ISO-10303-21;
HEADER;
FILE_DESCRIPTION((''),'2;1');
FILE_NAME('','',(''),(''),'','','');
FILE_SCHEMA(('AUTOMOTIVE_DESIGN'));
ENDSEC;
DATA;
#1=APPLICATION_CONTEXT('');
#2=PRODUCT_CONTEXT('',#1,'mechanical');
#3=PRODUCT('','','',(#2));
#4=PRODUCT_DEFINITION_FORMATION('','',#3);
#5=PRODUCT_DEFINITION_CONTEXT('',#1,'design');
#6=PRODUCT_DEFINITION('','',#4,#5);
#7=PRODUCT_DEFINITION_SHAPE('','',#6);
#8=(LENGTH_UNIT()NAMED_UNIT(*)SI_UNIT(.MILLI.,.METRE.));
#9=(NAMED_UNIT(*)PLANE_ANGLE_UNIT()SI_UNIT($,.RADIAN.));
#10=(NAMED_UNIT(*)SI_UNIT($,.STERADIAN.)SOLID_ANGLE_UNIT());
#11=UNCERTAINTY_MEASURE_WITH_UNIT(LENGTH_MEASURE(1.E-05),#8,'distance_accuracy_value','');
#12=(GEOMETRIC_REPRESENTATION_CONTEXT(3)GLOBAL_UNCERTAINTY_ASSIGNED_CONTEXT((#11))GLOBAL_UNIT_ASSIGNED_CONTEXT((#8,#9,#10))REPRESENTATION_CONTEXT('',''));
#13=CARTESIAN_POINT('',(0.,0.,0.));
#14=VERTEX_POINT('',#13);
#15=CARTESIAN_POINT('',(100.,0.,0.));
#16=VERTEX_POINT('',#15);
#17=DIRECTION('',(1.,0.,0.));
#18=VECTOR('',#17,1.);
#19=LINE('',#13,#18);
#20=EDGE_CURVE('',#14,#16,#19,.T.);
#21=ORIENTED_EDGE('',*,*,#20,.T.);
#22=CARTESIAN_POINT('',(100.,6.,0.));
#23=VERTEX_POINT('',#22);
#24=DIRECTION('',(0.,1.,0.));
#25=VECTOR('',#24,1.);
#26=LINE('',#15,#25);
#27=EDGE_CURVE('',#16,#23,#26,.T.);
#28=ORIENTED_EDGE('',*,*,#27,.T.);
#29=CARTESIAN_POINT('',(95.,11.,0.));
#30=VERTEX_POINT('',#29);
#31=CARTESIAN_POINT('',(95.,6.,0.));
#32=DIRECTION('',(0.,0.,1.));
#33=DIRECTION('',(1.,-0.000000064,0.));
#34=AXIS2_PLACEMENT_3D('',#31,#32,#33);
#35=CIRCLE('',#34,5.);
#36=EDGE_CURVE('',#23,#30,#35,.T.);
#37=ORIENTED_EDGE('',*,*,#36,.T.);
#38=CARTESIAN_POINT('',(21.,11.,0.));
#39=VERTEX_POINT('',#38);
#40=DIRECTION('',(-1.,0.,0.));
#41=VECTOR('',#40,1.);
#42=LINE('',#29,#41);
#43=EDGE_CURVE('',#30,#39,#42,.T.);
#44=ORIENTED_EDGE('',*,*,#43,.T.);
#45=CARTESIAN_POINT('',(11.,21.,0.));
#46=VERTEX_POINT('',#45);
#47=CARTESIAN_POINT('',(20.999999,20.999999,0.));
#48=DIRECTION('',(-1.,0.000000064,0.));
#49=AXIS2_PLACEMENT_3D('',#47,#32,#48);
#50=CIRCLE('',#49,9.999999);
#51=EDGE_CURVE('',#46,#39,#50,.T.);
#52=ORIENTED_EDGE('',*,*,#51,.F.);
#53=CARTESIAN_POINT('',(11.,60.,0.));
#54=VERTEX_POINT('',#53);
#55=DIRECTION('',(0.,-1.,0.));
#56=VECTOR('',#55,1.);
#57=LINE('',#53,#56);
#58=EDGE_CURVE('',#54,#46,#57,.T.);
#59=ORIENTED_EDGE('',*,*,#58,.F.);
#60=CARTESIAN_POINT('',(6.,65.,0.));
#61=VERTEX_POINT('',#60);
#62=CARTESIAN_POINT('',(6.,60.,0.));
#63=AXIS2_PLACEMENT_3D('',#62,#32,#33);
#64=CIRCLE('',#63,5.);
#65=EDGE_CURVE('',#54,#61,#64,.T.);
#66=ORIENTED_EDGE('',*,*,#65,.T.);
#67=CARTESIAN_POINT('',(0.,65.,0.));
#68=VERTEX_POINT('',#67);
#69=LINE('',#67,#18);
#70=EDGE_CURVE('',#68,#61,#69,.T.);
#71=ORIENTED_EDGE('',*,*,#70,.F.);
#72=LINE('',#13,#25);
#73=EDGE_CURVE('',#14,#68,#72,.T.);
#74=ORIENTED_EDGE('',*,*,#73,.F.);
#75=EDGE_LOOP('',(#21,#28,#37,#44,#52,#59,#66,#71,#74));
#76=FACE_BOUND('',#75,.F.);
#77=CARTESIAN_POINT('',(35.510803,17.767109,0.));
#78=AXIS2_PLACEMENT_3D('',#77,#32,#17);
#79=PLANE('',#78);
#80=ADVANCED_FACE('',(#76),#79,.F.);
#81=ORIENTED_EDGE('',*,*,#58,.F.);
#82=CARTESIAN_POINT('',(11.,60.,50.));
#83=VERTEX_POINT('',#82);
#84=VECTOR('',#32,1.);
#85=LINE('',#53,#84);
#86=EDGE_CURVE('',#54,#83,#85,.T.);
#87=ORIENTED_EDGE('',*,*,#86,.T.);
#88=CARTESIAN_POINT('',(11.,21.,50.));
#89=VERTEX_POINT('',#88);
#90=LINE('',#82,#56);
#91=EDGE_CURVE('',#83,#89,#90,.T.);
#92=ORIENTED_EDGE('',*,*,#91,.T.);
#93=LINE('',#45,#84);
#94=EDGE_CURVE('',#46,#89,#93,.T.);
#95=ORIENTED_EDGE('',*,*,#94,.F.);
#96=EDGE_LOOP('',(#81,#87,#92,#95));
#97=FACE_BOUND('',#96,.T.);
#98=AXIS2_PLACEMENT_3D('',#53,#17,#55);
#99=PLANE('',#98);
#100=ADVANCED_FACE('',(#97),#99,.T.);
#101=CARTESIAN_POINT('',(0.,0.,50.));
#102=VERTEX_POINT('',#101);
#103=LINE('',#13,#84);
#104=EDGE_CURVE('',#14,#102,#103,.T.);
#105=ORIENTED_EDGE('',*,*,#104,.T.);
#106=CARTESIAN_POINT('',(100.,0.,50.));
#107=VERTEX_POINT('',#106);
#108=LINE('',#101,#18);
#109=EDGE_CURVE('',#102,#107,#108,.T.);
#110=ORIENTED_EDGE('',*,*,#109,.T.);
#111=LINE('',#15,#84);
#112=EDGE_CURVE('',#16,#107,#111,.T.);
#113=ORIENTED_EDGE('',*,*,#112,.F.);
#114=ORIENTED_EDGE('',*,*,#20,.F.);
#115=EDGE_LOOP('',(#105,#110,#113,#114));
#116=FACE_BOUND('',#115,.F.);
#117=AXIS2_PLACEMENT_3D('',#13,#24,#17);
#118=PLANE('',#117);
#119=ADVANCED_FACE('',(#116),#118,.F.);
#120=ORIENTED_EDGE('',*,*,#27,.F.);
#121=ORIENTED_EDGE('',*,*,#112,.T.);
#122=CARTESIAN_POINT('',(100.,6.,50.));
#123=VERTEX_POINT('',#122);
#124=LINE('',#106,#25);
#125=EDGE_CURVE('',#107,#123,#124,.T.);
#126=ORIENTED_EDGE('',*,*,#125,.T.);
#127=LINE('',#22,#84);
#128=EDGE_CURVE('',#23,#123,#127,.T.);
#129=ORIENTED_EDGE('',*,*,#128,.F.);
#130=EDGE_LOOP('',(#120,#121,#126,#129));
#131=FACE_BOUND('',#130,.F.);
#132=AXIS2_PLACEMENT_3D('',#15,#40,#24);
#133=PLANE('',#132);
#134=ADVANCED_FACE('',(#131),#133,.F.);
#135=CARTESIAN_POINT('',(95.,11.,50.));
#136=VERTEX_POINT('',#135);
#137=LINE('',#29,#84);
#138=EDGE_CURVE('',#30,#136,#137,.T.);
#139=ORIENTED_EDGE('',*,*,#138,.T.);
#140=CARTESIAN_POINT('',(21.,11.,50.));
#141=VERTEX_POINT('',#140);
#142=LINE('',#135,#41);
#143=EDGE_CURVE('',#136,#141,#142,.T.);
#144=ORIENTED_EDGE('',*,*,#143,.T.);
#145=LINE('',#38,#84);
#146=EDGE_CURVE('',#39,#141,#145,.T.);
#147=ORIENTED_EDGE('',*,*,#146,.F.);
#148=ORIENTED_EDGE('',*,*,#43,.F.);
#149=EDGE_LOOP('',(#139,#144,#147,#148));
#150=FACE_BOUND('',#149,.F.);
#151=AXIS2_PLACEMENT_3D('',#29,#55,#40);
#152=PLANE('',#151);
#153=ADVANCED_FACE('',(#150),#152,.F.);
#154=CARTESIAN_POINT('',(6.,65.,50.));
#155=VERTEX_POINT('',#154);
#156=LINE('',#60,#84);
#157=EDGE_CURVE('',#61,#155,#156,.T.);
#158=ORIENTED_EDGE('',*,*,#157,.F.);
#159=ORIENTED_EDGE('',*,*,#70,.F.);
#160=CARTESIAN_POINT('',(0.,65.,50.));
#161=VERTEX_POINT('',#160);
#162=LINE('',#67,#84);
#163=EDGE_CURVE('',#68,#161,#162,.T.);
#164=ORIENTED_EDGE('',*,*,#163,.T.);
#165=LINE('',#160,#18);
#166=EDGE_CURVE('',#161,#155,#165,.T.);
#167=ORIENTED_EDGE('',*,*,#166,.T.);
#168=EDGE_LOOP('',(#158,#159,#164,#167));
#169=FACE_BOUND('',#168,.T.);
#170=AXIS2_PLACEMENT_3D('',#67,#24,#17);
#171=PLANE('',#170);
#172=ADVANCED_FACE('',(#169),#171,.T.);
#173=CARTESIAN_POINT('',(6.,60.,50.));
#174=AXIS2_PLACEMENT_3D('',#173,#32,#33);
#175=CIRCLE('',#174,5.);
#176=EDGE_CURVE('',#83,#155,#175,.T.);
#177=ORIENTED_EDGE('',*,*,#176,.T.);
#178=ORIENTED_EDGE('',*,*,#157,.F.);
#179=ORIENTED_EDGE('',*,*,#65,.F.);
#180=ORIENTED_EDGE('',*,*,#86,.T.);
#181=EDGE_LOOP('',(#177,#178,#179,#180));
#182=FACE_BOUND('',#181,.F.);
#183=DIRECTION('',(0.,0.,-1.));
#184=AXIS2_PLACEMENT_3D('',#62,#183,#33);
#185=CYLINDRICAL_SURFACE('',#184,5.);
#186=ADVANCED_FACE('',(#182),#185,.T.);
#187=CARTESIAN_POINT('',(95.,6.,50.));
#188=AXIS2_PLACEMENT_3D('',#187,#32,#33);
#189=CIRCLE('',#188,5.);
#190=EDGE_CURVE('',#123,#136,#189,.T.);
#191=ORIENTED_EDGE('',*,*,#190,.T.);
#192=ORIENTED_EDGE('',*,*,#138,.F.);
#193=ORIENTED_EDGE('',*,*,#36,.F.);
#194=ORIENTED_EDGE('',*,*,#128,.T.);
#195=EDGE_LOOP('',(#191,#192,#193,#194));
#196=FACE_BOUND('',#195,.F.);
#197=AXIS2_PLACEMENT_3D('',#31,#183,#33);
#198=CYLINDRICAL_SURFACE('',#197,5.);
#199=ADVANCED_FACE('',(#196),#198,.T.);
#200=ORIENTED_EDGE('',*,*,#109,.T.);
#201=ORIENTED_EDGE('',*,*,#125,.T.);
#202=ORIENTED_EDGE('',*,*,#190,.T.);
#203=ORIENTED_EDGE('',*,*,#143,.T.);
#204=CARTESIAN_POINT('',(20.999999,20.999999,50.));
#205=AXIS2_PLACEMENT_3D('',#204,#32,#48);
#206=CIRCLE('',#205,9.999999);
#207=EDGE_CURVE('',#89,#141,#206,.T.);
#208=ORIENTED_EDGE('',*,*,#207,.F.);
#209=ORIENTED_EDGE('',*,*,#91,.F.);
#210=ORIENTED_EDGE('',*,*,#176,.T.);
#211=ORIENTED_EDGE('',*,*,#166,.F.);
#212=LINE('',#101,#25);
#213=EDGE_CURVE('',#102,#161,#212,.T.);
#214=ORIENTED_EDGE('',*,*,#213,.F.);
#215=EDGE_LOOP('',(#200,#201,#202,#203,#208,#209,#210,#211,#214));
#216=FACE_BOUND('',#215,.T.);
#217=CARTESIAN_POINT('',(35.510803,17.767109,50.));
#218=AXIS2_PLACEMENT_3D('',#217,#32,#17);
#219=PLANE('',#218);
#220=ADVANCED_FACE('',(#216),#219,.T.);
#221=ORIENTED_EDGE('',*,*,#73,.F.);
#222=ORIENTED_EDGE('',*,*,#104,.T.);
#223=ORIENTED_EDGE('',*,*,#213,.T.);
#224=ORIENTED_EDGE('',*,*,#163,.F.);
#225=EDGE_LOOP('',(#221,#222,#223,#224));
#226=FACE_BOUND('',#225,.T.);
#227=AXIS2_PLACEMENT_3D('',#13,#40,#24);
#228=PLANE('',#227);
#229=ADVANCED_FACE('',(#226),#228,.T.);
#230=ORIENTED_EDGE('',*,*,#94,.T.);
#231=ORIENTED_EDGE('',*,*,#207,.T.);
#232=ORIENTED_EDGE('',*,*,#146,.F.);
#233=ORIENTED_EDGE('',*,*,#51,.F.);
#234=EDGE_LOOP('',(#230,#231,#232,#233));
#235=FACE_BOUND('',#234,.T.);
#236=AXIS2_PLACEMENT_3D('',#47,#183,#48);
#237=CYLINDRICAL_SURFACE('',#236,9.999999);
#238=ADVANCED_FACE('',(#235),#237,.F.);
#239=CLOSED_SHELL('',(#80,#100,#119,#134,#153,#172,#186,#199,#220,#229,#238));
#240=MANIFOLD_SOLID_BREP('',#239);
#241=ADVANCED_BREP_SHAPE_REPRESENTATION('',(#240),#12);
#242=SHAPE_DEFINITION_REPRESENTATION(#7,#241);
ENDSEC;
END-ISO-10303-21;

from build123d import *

# Parameters (mm, degrees)
EXTRUDE_DEPTH = 50


with BuildPart() as part:
    # Sketch → Extrude (new body)
    with BuildSketch(Plane.XY):
        with BuildLine():
            Line((0, 0), (100, 0))
            Line((100, 0), (100, 6))
            ThreePointArc((100, 6), (98.535534, 9.535534), (95, 11))
            Line((95, 11), (21, 11))
            ThreePointArc((11, 21), (13.928932, 13.928932), (21, 11))
            Line((11, 60), (11, 21))
            ThreePointArc((11, 60), (9.535534, 63.535534), (6, 65))
            Line((0, 65), (6, 65))
            Line((0, 0), (0, 65))
        make_face()
    extrude(amount=EXTRUDE_DEPTH)


solid = part.part
